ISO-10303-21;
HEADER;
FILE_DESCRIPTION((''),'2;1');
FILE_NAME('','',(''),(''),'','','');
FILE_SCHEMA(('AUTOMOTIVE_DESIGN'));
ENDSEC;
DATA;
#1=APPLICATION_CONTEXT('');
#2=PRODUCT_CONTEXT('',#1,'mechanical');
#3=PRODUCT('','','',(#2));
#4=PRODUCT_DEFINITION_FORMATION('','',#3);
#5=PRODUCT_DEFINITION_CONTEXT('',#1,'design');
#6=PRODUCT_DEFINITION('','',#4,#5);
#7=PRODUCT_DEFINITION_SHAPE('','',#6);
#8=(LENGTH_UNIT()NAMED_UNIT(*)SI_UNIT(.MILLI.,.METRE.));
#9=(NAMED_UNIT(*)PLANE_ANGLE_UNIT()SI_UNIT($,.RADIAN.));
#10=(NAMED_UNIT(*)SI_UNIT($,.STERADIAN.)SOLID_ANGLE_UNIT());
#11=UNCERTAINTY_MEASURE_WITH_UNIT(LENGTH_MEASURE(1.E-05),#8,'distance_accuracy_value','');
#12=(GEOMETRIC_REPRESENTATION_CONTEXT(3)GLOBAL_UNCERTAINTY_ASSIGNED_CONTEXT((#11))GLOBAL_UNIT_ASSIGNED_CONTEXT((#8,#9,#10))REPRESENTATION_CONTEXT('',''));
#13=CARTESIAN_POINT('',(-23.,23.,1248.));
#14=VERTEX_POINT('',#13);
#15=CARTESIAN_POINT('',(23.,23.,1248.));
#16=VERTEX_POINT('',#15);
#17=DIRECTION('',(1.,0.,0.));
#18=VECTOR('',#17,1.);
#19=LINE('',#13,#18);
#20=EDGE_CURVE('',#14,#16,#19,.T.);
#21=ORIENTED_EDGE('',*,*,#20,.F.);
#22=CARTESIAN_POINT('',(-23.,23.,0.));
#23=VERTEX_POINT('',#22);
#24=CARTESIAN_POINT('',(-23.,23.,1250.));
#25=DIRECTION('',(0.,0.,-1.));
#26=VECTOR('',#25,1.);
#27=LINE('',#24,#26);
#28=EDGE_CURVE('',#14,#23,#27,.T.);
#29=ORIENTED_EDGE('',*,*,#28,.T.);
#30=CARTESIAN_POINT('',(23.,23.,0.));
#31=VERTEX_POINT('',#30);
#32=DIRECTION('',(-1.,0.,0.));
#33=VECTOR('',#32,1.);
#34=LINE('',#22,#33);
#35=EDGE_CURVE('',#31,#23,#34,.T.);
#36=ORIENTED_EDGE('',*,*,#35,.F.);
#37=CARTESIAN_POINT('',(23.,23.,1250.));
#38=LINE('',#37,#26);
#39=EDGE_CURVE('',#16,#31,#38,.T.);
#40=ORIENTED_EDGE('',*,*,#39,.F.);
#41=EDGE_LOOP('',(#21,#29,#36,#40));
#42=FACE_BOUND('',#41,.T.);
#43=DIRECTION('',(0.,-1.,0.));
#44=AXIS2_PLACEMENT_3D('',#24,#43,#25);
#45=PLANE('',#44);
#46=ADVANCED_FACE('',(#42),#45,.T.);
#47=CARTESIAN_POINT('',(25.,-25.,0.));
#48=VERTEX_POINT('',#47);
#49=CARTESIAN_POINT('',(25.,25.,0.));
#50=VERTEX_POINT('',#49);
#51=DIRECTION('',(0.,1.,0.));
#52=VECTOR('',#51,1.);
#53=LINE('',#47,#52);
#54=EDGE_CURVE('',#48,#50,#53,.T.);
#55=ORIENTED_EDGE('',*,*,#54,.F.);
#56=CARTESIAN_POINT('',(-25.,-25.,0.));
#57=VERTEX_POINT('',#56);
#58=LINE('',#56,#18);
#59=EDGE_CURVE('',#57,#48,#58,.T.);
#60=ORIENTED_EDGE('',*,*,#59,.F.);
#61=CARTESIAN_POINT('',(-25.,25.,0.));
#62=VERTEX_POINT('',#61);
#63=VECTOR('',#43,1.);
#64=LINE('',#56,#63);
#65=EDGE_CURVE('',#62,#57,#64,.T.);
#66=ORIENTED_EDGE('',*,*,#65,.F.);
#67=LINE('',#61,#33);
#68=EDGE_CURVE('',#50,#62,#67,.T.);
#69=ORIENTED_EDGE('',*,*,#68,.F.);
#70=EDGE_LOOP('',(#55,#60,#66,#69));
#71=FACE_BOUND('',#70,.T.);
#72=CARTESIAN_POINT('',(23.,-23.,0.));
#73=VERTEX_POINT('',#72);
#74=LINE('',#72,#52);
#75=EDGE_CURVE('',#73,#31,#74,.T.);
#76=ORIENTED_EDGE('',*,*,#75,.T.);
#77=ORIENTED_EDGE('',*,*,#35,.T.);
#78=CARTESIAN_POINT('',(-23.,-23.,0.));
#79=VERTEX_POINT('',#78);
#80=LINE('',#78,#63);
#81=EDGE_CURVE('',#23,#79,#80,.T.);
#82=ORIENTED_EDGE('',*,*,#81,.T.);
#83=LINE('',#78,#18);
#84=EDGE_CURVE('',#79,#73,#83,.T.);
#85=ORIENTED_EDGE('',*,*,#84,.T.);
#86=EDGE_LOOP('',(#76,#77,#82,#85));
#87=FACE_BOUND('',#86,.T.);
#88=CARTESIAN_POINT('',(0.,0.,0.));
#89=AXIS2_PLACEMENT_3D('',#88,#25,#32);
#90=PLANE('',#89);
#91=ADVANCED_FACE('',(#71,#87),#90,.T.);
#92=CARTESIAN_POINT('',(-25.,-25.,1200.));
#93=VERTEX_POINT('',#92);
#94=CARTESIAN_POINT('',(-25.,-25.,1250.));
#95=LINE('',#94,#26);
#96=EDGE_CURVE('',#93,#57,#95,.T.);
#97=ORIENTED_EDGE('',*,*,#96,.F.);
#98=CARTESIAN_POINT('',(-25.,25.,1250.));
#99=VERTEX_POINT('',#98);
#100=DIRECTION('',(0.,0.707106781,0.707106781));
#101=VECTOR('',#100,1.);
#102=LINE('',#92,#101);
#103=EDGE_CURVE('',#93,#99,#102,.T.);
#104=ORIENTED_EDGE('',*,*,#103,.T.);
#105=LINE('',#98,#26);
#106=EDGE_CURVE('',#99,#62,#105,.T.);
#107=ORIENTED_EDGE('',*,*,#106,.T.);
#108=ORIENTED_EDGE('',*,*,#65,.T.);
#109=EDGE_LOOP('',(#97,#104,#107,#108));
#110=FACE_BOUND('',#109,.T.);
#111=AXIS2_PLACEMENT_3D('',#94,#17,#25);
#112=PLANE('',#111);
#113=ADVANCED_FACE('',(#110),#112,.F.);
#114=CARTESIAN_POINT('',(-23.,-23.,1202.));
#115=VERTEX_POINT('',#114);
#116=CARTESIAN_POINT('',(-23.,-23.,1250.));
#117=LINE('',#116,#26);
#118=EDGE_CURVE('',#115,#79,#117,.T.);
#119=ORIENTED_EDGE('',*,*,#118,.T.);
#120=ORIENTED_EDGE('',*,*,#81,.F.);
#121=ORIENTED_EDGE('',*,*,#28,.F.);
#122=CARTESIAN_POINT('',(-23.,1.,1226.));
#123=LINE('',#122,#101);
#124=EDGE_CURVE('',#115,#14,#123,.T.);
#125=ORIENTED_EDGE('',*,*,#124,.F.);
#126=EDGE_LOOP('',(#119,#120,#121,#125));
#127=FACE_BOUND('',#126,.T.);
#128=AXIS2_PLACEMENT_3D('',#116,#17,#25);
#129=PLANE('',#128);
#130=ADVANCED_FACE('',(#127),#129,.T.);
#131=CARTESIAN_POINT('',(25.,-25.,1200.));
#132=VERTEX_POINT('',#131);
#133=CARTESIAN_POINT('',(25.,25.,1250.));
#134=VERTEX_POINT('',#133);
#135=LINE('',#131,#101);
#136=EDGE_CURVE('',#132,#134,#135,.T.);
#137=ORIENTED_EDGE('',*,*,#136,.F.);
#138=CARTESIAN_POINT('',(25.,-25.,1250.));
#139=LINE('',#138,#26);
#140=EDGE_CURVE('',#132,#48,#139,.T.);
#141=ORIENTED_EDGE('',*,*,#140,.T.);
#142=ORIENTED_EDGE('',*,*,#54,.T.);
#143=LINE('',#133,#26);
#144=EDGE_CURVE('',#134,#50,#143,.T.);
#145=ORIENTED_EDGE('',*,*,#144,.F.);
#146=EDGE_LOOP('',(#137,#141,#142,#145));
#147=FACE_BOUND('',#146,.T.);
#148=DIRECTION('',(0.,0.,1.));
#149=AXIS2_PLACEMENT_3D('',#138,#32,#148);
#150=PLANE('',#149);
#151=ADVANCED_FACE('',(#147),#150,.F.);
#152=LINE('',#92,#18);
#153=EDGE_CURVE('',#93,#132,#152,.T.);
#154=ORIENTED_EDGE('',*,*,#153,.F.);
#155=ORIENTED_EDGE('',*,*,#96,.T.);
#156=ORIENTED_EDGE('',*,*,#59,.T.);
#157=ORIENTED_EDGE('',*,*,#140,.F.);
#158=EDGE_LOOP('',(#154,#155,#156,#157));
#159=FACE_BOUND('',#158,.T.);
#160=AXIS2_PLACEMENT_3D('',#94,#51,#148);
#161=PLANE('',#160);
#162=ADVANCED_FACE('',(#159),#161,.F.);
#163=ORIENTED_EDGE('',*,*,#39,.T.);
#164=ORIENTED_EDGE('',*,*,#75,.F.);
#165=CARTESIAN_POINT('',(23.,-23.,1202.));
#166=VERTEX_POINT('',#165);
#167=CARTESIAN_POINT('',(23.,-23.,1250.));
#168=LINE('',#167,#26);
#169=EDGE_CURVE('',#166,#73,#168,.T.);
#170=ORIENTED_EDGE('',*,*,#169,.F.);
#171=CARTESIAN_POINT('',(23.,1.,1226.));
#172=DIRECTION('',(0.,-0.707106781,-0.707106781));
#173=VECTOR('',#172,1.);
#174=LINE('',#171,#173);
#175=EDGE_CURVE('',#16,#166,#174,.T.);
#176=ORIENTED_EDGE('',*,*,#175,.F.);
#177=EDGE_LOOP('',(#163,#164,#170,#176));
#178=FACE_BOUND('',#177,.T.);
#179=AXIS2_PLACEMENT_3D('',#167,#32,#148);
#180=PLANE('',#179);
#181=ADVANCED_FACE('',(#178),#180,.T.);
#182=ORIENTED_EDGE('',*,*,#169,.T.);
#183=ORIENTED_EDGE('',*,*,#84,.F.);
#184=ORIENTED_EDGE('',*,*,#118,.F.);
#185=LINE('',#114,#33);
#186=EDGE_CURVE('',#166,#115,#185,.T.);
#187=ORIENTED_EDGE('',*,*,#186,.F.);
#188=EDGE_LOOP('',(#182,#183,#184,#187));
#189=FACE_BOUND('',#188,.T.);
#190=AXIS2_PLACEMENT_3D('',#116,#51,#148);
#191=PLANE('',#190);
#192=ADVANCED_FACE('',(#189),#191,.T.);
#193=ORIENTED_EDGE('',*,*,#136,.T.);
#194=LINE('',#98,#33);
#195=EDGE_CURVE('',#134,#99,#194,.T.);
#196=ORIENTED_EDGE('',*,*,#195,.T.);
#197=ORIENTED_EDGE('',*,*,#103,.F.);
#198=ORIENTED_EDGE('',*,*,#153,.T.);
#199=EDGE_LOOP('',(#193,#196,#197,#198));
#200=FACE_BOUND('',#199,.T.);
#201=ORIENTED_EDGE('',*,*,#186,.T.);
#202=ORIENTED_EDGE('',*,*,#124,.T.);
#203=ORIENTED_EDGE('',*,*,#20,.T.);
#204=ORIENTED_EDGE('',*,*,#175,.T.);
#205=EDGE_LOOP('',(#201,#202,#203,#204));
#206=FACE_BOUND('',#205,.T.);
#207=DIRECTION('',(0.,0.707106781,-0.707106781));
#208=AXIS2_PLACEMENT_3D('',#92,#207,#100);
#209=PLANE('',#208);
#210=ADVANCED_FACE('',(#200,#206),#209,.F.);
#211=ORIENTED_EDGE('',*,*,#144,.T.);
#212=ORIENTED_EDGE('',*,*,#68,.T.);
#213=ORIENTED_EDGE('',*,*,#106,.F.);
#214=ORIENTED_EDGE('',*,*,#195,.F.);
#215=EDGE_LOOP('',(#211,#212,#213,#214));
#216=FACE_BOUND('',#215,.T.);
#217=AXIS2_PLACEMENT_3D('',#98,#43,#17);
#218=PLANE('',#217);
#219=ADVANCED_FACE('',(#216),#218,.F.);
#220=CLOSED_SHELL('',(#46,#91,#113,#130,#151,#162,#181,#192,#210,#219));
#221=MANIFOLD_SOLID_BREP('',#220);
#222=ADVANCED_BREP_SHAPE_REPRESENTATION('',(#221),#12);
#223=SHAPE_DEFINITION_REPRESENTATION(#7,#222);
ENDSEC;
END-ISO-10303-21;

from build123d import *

# Parameters (mm, degrees)
SKETCH1_W           = 50
SKETCH1_H           = 50
SKETCH1_W_2         = 46
SKETCH1_H_2         = 46
BOSS_EXTRUDE1_DEPTH = 1250
CUT_EXTRUDE1_DEPTH  = 1252.249375624


with BuildPart() as part:
    # Sketch1 → Boss-Extrude1 (new body)
    with BuildSketch(Plane.XY):
        Rectangle(SKETCH1_W, SKETCH1_H)
        Rectangle(SKETCH1_W_2, SKETCH1_H_2, mode=Mode.SUBTRACT)
    extrude(amount=BOSS_EXTRUDE1_DEPTH)

    # Sketch2 → Cut-Extrude1 (cut, through all)
    with BuildSketch(Plane(origin=(25, 0, 0), x_dir=(0, 0, -1), z_dir=(1, 0, 0))):
        Polygon((-1250, 25), (-1250, -25), (-1200, -25), align=None)
    extrude(amount=-CUT_EXTRUDE1_DEPTH, mode=Mode.SUBTRACT)


solid = part.part
